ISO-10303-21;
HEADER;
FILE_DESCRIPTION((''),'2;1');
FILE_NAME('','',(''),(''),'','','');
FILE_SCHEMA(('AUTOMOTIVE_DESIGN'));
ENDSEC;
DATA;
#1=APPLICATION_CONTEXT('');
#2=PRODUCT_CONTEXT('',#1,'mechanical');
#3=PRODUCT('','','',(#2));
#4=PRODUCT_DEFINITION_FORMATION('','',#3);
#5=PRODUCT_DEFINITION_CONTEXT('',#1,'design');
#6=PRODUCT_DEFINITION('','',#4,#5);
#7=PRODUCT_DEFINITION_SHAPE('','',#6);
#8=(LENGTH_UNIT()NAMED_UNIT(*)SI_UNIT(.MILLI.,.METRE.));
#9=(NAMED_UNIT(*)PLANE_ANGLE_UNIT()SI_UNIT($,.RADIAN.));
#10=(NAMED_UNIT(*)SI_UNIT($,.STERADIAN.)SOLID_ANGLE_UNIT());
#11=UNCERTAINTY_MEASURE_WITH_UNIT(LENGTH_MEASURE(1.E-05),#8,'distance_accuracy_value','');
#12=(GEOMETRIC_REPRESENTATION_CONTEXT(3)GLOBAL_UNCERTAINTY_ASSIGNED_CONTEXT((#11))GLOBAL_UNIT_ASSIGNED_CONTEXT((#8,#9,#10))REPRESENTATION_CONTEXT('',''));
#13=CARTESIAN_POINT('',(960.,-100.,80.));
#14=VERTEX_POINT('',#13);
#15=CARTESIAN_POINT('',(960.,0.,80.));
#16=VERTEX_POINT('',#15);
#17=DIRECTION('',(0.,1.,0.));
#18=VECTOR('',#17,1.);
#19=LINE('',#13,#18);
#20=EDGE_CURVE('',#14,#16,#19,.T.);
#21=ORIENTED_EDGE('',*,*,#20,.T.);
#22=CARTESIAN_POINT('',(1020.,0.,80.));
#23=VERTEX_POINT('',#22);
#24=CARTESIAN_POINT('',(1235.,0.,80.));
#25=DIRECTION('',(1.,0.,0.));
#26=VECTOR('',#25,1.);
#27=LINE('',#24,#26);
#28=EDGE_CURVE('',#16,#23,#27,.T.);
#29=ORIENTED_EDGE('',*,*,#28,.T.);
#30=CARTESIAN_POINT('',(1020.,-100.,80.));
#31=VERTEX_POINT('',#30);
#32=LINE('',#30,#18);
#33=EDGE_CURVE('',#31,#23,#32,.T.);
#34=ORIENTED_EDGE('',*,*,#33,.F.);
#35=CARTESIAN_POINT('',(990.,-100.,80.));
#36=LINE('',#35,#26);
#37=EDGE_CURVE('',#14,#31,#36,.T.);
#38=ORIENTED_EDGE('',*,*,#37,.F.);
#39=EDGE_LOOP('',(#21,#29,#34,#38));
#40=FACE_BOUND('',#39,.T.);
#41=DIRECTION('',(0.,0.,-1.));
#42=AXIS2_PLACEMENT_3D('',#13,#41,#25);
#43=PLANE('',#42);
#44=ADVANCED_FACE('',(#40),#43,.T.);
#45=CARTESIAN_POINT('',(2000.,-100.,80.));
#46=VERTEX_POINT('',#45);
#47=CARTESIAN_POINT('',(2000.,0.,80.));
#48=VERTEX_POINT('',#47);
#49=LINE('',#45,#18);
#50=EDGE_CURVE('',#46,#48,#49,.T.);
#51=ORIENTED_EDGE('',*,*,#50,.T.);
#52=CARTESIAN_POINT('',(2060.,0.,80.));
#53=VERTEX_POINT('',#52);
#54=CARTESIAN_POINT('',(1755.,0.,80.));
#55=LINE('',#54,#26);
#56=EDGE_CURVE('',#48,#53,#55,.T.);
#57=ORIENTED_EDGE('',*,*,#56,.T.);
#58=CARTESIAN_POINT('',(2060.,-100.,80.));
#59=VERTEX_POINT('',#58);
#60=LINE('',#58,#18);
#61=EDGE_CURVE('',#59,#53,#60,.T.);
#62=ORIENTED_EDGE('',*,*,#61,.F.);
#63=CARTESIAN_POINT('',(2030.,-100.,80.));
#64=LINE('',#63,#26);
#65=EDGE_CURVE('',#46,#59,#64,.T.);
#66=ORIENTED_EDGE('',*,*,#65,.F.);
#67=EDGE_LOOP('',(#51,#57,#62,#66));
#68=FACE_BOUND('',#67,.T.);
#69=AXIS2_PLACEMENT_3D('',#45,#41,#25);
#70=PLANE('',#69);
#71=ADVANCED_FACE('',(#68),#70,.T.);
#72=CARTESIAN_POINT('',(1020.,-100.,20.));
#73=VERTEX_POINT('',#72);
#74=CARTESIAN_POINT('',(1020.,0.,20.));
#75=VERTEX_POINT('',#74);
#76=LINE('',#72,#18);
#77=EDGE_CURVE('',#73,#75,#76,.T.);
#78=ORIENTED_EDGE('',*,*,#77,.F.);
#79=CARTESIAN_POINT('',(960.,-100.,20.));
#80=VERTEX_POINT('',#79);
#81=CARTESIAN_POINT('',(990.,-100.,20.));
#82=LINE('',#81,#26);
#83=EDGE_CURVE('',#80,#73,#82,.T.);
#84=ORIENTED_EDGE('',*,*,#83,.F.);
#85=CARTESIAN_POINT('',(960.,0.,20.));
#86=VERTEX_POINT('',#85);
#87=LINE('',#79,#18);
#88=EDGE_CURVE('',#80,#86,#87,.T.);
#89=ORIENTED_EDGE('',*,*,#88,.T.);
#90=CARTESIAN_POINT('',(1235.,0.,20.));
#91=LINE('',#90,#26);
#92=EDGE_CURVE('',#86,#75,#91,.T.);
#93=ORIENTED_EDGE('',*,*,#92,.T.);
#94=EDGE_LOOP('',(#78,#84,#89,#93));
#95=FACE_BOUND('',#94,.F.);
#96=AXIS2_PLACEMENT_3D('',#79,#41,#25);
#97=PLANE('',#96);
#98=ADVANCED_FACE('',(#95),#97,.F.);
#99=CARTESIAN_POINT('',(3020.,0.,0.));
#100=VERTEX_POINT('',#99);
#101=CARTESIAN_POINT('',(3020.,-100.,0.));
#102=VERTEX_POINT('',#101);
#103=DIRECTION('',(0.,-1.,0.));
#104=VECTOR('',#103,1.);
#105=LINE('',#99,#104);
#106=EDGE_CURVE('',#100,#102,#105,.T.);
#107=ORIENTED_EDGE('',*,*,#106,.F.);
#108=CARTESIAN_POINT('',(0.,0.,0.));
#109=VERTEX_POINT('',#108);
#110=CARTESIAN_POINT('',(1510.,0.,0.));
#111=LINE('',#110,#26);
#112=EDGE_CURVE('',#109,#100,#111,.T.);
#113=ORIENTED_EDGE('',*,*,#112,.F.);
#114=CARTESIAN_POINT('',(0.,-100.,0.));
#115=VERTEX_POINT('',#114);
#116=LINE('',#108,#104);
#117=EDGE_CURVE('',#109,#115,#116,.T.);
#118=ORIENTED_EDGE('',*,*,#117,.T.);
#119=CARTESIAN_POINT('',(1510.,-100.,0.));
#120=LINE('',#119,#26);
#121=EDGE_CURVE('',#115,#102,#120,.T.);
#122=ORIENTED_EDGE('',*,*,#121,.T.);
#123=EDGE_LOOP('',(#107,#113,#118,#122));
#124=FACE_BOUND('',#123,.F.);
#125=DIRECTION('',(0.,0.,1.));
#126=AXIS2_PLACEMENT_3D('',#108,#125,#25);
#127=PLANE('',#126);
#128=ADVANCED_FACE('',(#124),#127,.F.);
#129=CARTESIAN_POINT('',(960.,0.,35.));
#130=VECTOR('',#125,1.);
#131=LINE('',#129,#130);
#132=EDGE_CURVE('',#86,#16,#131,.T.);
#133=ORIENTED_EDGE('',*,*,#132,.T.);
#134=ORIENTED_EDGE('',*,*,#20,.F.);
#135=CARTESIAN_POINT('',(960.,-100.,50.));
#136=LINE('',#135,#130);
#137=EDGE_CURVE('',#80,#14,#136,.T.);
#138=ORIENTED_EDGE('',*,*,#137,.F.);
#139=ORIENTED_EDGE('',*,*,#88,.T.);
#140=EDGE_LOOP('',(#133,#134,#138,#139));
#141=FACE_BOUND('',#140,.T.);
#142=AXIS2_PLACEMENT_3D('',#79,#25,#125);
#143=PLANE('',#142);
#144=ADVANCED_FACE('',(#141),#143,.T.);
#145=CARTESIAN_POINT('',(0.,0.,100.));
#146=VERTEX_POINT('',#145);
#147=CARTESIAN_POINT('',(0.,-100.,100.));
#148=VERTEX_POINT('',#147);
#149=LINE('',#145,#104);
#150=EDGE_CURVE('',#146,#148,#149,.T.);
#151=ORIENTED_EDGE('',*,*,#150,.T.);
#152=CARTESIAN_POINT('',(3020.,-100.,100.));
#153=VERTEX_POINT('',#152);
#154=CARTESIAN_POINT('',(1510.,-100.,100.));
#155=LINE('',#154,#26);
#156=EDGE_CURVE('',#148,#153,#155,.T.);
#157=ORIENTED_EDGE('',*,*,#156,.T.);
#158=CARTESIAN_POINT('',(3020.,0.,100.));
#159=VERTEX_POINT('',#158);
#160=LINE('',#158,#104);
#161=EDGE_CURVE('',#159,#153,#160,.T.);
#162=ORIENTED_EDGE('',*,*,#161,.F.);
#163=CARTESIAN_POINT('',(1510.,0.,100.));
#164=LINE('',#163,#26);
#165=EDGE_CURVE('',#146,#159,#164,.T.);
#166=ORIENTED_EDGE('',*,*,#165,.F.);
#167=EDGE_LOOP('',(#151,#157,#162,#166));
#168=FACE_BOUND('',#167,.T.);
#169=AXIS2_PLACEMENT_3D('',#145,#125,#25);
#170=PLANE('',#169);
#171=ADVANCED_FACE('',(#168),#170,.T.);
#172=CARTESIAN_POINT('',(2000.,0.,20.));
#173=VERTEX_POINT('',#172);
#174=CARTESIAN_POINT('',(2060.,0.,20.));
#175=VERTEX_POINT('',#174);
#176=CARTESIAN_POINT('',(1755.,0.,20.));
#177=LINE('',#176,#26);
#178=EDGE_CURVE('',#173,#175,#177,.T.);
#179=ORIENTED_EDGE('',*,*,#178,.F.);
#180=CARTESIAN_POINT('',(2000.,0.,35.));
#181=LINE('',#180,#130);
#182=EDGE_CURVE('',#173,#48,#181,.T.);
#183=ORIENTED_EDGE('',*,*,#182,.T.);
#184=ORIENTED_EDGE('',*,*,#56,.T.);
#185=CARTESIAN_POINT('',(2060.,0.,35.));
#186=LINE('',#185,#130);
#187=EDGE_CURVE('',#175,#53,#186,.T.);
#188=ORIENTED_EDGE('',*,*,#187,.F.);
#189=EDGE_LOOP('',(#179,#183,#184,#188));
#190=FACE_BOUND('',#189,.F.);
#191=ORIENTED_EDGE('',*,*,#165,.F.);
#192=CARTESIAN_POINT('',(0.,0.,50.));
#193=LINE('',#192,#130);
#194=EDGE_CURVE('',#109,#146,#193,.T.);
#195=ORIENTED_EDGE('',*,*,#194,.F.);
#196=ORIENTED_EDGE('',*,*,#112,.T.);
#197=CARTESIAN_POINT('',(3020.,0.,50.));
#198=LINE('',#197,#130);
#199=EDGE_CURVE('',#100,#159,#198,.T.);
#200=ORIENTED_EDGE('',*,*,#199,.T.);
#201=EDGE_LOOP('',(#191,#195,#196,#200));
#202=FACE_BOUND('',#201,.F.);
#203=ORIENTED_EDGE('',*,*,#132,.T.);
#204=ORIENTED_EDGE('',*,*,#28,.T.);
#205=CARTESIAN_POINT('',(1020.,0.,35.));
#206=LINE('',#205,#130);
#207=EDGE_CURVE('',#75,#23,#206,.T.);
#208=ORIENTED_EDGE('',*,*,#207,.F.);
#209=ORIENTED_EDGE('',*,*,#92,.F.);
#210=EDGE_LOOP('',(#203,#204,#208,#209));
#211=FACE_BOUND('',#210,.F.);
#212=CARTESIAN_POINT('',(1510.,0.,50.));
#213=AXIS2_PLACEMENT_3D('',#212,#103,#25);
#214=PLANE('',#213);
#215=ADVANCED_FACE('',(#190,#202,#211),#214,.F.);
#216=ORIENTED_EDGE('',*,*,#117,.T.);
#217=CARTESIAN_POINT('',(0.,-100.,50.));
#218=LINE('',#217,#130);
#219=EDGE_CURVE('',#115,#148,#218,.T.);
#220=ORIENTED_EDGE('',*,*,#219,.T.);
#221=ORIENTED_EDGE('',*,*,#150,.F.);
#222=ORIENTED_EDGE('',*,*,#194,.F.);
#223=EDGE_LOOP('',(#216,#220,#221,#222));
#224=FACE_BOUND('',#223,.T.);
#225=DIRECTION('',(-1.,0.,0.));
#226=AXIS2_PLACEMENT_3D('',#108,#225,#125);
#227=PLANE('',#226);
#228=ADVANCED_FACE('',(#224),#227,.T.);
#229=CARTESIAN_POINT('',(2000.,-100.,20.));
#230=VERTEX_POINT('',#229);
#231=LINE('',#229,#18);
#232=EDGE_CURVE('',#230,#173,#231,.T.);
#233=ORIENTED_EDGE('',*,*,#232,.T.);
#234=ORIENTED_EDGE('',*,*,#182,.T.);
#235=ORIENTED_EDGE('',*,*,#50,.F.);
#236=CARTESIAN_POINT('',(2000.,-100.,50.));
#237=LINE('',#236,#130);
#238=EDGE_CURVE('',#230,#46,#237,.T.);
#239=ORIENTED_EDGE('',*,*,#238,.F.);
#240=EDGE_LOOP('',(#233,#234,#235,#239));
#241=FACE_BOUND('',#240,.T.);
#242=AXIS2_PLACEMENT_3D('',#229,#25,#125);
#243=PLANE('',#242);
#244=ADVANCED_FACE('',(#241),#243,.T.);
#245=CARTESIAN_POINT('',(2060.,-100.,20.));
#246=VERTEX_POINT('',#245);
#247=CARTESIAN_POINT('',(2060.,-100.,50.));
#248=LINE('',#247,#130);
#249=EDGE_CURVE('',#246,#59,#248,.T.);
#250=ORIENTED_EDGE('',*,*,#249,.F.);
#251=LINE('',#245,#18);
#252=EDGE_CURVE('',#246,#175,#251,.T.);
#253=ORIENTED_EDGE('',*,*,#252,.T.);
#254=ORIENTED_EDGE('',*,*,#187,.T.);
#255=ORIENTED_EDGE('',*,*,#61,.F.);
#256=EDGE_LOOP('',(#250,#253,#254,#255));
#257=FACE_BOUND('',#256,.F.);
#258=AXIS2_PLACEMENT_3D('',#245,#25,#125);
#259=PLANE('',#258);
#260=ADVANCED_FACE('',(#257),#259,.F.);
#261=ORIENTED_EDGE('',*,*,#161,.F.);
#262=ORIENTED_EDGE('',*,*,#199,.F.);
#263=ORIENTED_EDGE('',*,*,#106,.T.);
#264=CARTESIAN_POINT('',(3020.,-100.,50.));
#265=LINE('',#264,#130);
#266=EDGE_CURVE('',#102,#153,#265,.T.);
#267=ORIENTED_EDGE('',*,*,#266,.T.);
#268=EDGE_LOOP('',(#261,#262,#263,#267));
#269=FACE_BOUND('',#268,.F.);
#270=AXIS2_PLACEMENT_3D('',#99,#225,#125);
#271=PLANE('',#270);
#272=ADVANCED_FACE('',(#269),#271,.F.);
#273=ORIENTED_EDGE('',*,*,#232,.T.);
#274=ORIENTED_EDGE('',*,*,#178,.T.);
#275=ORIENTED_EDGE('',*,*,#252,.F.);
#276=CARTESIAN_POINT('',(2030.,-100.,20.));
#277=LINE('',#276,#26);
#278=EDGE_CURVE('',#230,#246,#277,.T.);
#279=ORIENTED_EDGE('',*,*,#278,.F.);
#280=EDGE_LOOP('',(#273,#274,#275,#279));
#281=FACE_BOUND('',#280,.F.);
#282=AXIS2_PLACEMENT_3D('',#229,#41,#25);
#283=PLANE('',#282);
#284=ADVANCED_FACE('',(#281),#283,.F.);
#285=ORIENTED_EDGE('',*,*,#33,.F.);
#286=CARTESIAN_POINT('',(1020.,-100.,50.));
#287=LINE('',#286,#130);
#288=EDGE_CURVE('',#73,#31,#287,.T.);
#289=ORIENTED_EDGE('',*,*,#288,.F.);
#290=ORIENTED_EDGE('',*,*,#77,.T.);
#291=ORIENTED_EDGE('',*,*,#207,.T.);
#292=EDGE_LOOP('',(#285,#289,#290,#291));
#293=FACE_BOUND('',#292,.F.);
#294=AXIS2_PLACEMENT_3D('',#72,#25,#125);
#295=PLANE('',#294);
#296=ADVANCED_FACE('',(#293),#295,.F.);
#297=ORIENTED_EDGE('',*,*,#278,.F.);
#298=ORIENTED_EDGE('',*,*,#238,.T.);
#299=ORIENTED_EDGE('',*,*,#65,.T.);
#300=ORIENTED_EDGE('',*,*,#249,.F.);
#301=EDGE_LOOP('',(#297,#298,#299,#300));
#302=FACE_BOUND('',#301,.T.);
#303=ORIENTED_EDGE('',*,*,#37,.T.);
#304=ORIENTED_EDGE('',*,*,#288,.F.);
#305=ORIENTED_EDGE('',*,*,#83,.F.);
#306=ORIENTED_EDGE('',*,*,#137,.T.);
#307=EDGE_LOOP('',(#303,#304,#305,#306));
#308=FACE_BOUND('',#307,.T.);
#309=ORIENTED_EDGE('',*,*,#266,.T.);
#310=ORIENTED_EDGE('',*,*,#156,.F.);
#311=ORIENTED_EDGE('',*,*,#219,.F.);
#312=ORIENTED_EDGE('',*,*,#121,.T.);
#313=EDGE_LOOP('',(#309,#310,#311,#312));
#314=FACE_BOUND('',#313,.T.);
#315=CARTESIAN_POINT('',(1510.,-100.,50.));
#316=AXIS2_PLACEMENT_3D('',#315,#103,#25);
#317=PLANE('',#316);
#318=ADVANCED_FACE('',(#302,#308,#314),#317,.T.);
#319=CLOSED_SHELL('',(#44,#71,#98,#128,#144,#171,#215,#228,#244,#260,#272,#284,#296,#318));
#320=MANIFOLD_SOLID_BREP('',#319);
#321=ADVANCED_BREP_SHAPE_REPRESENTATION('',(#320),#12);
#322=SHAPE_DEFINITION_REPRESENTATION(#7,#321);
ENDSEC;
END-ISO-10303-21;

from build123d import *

# Parameters (mm, degrees)
F0_W     = 3020
F0_H     = 100
F1_DEPTH = 100
F2_W     = 60
F2_H     = 60
F3_DEPTH = 100.001


with BuildPart() as f1:
    # F0 (on Front) → F1 (new body)
    with BuildSketch(Plane.XZ):
        with Locations((1510, 50)):
            Rectangle(F0_W, F0_H)
    extrude(amount=F1_DEPTH)

    # F2 (on face) → F3 (cut, through all)
    with BuildSketch(Plane.XZ.offset(100)):
        with Locations((990, 50)):
            Rectangle(F2_W, F2_H)
        with Locations((2030, 50)):
            Rectangle(F2_W, F2_H)
    extrude(amount=-F3_DEPTH, mode=Mode.SUBTRACT)


solid = f1.part
